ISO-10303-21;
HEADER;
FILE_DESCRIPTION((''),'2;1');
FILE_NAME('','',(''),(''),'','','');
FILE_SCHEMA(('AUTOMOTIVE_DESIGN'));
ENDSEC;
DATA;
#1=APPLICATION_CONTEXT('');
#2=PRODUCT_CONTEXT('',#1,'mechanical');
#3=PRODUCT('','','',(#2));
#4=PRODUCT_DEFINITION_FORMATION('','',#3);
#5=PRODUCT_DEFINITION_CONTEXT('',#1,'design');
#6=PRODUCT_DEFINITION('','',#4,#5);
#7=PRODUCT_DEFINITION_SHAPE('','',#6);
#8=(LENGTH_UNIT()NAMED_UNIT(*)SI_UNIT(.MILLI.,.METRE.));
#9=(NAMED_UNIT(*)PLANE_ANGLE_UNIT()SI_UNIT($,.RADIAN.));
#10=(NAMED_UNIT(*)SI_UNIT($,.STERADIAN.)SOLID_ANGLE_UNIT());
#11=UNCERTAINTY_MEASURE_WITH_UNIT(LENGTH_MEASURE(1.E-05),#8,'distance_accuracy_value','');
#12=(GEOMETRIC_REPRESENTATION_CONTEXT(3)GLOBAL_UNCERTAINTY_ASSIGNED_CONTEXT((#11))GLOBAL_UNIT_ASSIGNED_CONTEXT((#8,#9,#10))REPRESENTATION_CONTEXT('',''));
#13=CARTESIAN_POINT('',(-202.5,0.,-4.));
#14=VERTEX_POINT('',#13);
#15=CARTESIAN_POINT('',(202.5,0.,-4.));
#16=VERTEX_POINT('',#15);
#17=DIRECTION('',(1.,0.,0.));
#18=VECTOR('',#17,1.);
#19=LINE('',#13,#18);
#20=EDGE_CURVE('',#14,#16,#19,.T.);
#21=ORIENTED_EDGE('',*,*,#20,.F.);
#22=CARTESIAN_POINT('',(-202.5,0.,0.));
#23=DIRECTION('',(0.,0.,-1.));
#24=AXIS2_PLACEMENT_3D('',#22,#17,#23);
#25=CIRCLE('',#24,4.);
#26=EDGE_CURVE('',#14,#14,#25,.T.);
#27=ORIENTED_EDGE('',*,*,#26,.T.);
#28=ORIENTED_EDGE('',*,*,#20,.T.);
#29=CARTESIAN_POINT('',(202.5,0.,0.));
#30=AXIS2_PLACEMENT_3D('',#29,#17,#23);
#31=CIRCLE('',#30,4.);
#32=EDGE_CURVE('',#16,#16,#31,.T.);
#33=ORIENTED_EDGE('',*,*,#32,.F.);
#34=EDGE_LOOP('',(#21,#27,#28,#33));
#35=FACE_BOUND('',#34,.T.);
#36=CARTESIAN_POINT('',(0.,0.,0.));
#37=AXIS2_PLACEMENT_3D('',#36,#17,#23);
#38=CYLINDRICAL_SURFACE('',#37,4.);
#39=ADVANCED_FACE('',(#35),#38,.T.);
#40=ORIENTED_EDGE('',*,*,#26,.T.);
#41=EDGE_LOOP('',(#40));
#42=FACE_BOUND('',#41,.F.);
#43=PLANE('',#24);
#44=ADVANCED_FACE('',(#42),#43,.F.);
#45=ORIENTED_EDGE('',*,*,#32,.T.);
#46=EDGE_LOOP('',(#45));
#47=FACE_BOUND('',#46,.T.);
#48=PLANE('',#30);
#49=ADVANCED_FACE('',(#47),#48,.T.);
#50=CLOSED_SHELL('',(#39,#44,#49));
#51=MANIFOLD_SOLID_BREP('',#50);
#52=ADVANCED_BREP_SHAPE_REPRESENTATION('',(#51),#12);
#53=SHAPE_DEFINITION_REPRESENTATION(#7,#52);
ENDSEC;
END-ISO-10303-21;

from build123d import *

# Parameters (mm, degrees)
SKETCH1_R           = 4
BOSS_EXTRUDE1_DEPTH = 202.5


with BuildPart() as part:
    # Sketch1 → Boss-Extrude1 (new body, symmetric)
    with BuildSketch(Plane(origin=(0, 0, 0), x_dir=(0, 0, -1), z_dir=(1, 0, 0))):
        Circle(SKETCH1_R)
    extrude(amount=BOSS_EXTRUDE1_DEPTH, both=True)


solid = part.part
